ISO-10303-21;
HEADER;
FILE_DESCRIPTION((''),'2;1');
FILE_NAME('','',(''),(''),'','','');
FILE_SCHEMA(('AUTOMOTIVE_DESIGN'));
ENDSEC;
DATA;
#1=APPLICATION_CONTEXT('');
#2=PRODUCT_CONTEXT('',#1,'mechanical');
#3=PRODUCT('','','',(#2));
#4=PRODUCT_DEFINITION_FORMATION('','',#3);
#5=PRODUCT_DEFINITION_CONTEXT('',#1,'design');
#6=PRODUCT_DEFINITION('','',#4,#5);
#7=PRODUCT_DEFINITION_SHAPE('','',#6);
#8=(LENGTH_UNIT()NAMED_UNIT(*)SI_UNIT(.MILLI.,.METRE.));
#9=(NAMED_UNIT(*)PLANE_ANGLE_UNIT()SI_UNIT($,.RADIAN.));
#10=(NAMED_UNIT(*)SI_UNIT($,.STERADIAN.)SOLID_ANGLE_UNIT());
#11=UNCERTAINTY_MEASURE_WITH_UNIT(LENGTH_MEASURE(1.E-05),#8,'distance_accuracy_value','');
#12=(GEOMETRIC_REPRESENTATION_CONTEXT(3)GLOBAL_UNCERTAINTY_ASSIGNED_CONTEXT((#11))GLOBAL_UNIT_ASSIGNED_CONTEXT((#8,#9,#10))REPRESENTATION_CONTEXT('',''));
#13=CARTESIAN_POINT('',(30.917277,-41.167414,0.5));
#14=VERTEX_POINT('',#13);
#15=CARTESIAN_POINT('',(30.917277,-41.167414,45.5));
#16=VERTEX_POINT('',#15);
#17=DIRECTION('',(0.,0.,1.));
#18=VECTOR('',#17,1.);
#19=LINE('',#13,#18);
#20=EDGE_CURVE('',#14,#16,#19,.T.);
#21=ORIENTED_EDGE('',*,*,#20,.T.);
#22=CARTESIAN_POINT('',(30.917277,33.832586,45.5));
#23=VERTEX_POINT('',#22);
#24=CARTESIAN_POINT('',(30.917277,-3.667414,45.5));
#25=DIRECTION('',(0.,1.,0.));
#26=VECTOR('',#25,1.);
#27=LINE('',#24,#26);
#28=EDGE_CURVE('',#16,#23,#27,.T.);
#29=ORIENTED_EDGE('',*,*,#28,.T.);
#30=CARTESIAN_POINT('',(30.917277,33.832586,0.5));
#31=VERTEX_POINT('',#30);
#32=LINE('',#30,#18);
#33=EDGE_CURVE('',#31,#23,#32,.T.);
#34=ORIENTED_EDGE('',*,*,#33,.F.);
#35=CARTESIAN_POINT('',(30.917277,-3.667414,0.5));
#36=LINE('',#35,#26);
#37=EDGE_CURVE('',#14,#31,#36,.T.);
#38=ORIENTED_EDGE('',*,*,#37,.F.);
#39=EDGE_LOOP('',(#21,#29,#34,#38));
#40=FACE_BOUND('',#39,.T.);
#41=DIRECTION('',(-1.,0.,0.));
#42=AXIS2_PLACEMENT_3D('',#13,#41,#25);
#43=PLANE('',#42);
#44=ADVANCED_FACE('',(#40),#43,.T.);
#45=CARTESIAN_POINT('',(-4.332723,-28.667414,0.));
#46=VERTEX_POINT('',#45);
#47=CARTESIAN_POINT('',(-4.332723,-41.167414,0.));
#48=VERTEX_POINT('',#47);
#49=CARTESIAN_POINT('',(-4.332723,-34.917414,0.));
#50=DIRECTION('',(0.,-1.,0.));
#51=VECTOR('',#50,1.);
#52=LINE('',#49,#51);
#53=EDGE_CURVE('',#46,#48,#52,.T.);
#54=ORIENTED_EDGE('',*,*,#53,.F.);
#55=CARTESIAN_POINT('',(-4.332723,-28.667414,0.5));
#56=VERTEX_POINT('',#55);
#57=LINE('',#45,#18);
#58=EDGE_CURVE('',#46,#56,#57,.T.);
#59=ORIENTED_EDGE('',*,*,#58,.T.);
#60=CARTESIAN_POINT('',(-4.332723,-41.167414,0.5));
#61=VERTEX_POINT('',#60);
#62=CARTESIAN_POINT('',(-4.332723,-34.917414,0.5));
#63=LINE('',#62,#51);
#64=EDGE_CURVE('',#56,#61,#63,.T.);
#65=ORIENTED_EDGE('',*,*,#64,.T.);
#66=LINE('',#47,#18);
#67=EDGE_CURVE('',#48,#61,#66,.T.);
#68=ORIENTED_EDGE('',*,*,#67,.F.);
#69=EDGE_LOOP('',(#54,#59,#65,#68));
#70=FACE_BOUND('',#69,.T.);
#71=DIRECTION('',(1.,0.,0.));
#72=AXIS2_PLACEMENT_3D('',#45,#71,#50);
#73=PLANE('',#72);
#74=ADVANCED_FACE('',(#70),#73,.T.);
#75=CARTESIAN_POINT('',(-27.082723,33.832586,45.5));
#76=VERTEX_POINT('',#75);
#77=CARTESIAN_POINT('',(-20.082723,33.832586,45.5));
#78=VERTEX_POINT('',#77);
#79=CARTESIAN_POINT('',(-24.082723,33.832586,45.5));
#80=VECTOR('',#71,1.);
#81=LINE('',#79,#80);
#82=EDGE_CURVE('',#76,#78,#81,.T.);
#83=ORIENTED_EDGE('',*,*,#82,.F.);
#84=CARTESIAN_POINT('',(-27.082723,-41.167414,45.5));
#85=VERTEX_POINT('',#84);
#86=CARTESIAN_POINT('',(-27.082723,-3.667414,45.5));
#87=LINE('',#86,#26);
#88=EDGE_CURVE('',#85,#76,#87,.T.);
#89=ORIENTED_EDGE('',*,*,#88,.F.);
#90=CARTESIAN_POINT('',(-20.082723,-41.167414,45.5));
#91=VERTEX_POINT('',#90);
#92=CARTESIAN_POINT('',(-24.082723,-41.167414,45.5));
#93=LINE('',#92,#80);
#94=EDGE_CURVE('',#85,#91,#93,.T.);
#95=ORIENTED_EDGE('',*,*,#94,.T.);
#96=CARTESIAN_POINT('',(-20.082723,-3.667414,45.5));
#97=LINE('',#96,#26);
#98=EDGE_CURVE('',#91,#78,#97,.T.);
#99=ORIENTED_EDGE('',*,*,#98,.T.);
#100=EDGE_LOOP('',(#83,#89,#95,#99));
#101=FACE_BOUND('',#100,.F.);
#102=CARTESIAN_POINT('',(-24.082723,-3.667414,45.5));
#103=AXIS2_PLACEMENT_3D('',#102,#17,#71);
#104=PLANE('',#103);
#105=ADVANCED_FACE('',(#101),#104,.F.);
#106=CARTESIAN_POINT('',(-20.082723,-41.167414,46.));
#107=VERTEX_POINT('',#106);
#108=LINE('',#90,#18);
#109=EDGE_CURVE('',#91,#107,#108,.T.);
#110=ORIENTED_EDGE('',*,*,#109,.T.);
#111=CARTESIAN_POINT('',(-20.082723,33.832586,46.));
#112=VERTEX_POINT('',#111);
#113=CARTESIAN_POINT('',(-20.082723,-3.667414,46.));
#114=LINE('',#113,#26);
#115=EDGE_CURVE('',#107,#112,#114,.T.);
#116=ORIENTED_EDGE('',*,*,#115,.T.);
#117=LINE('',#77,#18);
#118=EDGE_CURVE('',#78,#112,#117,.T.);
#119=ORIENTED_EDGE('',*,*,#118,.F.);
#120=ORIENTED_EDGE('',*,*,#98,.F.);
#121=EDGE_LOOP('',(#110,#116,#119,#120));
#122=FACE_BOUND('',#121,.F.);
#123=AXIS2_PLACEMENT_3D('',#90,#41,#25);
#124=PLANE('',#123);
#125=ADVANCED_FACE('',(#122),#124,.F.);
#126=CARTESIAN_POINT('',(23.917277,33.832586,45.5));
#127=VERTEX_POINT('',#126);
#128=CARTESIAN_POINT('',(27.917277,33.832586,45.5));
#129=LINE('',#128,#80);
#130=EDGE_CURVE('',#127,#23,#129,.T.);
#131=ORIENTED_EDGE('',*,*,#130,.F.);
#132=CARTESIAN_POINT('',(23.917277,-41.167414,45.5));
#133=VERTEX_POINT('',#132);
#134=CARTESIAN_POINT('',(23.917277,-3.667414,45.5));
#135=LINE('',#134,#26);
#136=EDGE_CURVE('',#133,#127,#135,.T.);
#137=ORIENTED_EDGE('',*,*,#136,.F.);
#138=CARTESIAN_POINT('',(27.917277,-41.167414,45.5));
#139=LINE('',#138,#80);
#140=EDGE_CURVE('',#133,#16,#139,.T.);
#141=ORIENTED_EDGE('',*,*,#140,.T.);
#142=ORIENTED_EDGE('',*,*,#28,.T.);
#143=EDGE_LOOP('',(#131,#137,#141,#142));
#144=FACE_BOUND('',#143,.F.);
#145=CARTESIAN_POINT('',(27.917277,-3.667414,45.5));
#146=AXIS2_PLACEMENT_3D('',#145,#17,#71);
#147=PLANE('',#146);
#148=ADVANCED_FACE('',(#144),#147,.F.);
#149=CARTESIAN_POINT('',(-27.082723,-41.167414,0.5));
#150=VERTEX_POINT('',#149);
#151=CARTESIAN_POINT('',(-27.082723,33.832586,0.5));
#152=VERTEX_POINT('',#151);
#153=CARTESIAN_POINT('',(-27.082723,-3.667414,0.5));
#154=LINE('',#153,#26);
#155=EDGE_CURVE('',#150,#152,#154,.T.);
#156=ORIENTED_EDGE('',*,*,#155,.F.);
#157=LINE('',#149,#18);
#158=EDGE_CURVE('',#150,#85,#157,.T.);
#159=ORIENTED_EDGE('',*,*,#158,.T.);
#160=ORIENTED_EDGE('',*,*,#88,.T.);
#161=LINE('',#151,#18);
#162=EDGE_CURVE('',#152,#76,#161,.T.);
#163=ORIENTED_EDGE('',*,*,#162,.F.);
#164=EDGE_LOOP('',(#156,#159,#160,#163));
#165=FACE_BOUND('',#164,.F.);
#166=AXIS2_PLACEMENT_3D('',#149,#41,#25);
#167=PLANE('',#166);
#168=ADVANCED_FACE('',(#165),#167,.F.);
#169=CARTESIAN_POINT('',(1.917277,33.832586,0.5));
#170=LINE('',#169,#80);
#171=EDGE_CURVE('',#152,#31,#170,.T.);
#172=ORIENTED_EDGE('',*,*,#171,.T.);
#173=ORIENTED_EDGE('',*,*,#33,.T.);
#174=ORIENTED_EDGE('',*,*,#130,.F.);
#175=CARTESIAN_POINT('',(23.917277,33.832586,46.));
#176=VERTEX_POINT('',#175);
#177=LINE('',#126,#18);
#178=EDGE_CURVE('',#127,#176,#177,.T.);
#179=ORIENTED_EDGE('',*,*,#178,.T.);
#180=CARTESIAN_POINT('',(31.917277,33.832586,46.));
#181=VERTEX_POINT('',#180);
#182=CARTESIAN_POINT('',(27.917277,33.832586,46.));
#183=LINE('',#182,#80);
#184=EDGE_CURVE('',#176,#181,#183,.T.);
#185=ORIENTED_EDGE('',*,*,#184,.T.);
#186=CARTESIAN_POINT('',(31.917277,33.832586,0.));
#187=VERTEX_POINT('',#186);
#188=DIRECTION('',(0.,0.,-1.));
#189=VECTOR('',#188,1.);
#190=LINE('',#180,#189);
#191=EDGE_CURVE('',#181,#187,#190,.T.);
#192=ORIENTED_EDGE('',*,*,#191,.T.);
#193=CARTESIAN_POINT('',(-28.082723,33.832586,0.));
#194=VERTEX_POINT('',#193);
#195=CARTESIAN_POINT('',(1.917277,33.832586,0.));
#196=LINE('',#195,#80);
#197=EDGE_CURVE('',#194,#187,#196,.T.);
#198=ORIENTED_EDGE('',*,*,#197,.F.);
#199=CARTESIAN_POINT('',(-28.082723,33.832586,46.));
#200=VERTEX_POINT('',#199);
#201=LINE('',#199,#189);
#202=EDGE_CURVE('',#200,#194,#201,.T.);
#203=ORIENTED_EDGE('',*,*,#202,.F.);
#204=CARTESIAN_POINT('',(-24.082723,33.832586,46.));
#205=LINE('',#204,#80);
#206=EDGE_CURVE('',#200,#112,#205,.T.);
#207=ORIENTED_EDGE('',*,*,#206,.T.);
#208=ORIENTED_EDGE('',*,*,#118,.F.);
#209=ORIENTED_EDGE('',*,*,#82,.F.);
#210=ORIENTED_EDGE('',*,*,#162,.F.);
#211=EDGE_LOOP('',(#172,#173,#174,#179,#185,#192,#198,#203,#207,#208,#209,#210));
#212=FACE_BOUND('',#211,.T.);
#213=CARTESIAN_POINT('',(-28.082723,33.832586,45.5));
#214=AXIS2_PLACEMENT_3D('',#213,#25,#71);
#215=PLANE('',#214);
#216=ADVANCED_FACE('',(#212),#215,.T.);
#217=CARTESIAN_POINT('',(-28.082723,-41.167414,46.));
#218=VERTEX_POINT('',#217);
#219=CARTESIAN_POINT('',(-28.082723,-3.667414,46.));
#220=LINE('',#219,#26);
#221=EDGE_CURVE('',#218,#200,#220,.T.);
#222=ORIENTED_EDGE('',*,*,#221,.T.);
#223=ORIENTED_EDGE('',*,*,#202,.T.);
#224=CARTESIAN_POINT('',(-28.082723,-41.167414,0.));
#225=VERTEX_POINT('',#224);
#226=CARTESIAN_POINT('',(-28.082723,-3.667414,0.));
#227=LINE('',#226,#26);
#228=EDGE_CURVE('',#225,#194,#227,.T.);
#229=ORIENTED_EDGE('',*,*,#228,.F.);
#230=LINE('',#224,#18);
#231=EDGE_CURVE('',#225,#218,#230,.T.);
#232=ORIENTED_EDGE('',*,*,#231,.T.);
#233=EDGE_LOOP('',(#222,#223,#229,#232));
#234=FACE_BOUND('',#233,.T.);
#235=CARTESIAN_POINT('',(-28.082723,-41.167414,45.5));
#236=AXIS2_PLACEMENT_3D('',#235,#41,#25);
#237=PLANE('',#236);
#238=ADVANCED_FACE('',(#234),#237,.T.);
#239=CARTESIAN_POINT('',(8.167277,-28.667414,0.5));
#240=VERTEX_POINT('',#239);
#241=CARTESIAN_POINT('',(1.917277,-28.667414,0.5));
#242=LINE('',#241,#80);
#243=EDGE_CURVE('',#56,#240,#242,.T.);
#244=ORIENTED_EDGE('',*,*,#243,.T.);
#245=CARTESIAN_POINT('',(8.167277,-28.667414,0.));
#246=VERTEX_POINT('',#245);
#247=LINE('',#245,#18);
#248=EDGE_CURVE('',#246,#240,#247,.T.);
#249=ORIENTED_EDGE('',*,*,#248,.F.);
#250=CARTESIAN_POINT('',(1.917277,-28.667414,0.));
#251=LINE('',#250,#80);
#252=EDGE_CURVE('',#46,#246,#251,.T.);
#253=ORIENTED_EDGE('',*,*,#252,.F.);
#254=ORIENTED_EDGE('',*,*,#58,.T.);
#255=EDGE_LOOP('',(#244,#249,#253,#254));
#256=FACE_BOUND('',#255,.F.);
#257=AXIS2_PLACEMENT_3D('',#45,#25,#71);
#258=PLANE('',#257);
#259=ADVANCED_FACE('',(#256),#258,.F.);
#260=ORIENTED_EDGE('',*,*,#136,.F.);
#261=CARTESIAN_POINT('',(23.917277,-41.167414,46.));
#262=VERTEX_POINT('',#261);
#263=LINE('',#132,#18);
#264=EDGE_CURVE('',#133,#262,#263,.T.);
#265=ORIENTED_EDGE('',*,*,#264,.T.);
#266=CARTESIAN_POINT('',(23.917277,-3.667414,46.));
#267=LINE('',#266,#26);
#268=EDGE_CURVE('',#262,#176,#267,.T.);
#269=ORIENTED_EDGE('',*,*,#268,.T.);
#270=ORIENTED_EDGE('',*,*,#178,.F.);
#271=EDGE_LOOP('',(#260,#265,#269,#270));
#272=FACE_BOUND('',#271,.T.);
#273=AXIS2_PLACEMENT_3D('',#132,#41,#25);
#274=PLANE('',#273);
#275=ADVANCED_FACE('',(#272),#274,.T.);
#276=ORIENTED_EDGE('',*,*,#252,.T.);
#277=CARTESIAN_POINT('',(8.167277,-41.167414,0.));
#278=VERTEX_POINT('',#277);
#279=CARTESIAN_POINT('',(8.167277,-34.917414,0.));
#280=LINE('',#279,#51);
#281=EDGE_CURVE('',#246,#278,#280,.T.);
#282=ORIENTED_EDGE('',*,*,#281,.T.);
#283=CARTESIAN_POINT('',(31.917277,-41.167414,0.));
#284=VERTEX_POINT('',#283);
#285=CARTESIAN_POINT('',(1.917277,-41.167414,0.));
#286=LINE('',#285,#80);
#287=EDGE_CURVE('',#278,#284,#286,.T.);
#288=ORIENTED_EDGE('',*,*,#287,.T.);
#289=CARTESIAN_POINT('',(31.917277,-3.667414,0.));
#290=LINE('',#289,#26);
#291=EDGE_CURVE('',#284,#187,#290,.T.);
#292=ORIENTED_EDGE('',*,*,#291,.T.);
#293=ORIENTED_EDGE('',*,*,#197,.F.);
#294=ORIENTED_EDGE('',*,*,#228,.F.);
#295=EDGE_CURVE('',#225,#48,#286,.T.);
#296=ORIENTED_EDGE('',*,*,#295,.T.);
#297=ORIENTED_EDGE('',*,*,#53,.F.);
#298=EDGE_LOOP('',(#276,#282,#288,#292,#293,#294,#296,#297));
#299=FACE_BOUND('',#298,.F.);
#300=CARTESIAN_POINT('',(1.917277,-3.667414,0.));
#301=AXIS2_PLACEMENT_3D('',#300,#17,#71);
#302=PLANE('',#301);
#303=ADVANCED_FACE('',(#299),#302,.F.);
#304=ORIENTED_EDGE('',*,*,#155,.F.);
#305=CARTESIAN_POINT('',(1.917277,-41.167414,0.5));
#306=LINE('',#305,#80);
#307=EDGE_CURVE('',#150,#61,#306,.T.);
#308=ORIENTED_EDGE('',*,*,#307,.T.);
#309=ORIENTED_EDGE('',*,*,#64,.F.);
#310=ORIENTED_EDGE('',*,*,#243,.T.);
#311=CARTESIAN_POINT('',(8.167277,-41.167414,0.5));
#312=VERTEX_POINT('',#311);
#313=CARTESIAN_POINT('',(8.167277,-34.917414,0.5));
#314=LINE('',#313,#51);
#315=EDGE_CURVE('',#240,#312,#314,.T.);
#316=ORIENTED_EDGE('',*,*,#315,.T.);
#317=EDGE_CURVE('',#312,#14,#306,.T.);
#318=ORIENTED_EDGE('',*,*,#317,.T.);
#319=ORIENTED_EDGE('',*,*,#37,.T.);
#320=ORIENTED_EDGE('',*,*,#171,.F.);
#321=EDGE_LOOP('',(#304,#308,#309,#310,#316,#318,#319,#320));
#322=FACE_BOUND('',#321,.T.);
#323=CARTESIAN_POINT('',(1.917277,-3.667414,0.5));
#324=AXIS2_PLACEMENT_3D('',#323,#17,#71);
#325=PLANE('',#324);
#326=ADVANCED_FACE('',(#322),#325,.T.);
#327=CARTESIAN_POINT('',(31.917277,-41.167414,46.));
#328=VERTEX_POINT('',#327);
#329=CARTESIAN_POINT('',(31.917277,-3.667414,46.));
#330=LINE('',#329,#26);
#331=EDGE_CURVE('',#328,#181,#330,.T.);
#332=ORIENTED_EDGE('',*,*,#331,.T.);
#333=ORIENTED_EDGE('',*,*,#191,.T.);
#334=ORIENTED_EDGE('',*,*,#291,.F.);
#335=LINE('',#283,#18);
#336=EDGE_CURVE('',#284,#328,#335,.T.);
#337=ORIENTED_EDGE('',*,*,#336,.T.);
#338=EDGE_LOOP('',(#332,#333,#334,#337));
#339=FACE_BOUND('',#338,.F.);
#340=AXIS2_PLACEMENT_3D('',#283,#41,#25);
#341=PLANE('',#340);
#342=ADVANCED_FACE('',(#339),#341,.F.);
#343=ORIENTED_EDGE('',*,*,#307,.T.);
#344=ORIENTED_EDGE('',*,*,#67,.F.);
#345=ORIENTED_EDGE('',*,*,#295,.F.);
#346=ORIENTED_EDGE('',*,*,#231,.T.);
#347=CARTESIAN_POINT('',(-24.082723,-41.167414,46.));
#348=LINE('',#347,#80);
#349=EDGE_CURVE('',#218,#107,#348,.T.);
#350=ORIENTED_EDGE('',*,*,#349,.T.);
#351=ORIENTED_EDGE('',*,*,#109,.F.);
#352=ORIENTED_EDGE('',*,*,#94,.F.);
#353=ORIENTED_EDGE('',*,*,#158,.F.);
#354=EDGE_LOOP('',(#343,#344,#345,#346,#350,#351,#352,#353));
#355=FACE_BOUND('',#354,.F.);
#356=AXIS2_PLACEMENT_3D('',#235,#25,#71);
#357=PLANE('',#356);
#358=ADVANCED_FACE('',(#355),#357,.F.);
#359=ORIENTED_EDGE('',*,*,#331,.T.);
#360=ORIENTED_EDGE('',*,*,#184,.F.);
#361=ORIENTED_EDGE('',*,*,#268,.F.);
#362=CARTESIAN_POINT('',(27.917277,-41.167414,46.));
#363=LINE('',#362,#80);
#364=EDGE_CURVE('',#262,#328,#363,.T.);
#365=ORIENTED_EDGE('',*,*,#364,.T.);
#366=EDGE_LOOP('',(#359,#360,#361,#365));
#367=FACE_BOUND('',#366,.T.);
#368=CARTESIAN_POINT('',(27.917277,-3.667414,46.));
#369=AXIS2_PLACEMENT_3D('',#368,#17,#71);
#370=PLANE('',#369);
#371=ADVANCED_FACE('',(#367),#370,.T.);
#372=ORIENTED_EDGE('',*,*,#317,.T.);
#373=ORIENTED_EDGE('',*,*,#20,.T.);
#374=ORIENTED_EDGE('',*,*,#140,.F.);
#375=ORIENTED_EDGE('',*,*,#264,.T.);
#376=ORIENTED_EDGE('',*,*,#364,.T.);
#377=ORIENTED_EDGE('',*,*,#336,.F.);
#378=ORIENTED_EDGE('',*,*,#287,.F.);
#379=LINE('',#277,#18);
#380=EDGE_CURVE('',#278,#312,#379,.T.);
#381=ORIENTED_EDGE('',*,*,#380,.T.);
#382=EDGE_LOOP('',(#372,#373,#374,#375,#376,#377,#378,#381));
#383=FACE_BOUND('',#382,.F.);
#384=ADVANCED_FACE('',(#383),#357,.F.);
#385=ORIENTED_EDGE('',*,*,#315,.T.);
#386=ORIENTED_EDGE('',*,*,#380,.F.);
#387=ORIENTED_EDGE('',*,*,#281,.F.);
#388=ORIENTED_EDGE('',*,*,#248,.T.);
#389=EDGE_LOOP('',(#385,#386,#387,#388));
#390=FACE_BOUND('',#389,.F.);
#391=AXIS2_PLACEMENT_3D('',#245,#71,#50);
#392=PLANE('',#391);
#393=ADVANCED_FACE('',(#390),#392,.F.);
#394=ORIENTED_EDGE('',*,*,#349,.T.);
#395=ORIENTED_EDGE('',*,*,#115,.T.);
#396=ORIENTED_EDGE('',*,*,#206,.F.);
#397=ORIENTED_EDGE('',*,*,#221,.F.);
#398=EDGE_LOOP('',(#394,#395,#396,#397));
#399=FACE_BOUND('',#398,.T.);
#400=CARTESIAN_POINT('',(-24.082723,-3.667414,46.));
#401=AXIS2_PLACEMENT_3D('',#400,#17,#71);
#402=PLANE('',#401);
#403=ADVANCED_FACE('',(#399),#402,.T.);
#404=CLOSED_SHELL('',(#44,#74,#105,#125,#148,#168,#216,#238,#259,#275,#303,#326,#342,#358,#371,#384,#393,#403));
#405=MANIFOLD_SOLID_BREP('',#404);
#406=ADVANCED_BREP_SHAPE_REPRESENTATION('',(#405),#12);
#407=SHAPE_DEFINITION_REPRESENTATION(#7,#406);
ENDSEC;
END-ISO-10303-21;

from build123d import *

# Parameters (mm, degrees)
F0_W     = 60
F0_H     = 75
F1_DEPTH = 0.5
F2_W     = 1
F2_H     = 75
F3_DEPTH = 45
F4_W     = 8
F4_H     = 75
F5_DEPTH = 0.5
F6_W     = 12.5
F6_H     = 12.5
F7_DEPTH = 0.5


with BuildPart() as f1:
    # F0 (on Top) → F1 (new body)
    with BuildSketch(Plane.XY):
        with Locations((1.917277, -3.667414)):
            Rectangle(F0_W, F0_H)
    extrude(amount=F1_DEPTH)

    # F2 (on face) → F3 (join)
    with BuildSketch(Plane.XY.offset(0.5)):
        with Locations((-27.582723, -3.667414)):
            Rectangle(F2_W, F2_H)
        with Locations((31.417277, -3.667414)):
            Rectangle(F2_W, F2_H)
    extrude(amount=F3_DEPTH)

    # F4 (on face) → F5 (join)
    with BuildSketch(Plane.XY.offset(45.5)):
        with Locations((-24.082723, -3.667414)):
            Rectangle(F4_W, F4_H)
        with Locations((27.917277, -3.667414)):
            Rectangle(F4_W, F4_H)
    extrude(amount=F5_DEPTH)

    # F6 (on face) → F7 (cut, through all)
    with BuildSketch(Plane(origin=(0, 0, 0), x_dir=(1, 0, 0), z_dir=(0, 0, -1))):
        with Locations((1.917277, 34.917414)):
            Rectangle(F6_W, F6_H)
    extrude(amount=-F7_DEPTH, mode=Mode.SUBTRACT)


solid = f1.part
